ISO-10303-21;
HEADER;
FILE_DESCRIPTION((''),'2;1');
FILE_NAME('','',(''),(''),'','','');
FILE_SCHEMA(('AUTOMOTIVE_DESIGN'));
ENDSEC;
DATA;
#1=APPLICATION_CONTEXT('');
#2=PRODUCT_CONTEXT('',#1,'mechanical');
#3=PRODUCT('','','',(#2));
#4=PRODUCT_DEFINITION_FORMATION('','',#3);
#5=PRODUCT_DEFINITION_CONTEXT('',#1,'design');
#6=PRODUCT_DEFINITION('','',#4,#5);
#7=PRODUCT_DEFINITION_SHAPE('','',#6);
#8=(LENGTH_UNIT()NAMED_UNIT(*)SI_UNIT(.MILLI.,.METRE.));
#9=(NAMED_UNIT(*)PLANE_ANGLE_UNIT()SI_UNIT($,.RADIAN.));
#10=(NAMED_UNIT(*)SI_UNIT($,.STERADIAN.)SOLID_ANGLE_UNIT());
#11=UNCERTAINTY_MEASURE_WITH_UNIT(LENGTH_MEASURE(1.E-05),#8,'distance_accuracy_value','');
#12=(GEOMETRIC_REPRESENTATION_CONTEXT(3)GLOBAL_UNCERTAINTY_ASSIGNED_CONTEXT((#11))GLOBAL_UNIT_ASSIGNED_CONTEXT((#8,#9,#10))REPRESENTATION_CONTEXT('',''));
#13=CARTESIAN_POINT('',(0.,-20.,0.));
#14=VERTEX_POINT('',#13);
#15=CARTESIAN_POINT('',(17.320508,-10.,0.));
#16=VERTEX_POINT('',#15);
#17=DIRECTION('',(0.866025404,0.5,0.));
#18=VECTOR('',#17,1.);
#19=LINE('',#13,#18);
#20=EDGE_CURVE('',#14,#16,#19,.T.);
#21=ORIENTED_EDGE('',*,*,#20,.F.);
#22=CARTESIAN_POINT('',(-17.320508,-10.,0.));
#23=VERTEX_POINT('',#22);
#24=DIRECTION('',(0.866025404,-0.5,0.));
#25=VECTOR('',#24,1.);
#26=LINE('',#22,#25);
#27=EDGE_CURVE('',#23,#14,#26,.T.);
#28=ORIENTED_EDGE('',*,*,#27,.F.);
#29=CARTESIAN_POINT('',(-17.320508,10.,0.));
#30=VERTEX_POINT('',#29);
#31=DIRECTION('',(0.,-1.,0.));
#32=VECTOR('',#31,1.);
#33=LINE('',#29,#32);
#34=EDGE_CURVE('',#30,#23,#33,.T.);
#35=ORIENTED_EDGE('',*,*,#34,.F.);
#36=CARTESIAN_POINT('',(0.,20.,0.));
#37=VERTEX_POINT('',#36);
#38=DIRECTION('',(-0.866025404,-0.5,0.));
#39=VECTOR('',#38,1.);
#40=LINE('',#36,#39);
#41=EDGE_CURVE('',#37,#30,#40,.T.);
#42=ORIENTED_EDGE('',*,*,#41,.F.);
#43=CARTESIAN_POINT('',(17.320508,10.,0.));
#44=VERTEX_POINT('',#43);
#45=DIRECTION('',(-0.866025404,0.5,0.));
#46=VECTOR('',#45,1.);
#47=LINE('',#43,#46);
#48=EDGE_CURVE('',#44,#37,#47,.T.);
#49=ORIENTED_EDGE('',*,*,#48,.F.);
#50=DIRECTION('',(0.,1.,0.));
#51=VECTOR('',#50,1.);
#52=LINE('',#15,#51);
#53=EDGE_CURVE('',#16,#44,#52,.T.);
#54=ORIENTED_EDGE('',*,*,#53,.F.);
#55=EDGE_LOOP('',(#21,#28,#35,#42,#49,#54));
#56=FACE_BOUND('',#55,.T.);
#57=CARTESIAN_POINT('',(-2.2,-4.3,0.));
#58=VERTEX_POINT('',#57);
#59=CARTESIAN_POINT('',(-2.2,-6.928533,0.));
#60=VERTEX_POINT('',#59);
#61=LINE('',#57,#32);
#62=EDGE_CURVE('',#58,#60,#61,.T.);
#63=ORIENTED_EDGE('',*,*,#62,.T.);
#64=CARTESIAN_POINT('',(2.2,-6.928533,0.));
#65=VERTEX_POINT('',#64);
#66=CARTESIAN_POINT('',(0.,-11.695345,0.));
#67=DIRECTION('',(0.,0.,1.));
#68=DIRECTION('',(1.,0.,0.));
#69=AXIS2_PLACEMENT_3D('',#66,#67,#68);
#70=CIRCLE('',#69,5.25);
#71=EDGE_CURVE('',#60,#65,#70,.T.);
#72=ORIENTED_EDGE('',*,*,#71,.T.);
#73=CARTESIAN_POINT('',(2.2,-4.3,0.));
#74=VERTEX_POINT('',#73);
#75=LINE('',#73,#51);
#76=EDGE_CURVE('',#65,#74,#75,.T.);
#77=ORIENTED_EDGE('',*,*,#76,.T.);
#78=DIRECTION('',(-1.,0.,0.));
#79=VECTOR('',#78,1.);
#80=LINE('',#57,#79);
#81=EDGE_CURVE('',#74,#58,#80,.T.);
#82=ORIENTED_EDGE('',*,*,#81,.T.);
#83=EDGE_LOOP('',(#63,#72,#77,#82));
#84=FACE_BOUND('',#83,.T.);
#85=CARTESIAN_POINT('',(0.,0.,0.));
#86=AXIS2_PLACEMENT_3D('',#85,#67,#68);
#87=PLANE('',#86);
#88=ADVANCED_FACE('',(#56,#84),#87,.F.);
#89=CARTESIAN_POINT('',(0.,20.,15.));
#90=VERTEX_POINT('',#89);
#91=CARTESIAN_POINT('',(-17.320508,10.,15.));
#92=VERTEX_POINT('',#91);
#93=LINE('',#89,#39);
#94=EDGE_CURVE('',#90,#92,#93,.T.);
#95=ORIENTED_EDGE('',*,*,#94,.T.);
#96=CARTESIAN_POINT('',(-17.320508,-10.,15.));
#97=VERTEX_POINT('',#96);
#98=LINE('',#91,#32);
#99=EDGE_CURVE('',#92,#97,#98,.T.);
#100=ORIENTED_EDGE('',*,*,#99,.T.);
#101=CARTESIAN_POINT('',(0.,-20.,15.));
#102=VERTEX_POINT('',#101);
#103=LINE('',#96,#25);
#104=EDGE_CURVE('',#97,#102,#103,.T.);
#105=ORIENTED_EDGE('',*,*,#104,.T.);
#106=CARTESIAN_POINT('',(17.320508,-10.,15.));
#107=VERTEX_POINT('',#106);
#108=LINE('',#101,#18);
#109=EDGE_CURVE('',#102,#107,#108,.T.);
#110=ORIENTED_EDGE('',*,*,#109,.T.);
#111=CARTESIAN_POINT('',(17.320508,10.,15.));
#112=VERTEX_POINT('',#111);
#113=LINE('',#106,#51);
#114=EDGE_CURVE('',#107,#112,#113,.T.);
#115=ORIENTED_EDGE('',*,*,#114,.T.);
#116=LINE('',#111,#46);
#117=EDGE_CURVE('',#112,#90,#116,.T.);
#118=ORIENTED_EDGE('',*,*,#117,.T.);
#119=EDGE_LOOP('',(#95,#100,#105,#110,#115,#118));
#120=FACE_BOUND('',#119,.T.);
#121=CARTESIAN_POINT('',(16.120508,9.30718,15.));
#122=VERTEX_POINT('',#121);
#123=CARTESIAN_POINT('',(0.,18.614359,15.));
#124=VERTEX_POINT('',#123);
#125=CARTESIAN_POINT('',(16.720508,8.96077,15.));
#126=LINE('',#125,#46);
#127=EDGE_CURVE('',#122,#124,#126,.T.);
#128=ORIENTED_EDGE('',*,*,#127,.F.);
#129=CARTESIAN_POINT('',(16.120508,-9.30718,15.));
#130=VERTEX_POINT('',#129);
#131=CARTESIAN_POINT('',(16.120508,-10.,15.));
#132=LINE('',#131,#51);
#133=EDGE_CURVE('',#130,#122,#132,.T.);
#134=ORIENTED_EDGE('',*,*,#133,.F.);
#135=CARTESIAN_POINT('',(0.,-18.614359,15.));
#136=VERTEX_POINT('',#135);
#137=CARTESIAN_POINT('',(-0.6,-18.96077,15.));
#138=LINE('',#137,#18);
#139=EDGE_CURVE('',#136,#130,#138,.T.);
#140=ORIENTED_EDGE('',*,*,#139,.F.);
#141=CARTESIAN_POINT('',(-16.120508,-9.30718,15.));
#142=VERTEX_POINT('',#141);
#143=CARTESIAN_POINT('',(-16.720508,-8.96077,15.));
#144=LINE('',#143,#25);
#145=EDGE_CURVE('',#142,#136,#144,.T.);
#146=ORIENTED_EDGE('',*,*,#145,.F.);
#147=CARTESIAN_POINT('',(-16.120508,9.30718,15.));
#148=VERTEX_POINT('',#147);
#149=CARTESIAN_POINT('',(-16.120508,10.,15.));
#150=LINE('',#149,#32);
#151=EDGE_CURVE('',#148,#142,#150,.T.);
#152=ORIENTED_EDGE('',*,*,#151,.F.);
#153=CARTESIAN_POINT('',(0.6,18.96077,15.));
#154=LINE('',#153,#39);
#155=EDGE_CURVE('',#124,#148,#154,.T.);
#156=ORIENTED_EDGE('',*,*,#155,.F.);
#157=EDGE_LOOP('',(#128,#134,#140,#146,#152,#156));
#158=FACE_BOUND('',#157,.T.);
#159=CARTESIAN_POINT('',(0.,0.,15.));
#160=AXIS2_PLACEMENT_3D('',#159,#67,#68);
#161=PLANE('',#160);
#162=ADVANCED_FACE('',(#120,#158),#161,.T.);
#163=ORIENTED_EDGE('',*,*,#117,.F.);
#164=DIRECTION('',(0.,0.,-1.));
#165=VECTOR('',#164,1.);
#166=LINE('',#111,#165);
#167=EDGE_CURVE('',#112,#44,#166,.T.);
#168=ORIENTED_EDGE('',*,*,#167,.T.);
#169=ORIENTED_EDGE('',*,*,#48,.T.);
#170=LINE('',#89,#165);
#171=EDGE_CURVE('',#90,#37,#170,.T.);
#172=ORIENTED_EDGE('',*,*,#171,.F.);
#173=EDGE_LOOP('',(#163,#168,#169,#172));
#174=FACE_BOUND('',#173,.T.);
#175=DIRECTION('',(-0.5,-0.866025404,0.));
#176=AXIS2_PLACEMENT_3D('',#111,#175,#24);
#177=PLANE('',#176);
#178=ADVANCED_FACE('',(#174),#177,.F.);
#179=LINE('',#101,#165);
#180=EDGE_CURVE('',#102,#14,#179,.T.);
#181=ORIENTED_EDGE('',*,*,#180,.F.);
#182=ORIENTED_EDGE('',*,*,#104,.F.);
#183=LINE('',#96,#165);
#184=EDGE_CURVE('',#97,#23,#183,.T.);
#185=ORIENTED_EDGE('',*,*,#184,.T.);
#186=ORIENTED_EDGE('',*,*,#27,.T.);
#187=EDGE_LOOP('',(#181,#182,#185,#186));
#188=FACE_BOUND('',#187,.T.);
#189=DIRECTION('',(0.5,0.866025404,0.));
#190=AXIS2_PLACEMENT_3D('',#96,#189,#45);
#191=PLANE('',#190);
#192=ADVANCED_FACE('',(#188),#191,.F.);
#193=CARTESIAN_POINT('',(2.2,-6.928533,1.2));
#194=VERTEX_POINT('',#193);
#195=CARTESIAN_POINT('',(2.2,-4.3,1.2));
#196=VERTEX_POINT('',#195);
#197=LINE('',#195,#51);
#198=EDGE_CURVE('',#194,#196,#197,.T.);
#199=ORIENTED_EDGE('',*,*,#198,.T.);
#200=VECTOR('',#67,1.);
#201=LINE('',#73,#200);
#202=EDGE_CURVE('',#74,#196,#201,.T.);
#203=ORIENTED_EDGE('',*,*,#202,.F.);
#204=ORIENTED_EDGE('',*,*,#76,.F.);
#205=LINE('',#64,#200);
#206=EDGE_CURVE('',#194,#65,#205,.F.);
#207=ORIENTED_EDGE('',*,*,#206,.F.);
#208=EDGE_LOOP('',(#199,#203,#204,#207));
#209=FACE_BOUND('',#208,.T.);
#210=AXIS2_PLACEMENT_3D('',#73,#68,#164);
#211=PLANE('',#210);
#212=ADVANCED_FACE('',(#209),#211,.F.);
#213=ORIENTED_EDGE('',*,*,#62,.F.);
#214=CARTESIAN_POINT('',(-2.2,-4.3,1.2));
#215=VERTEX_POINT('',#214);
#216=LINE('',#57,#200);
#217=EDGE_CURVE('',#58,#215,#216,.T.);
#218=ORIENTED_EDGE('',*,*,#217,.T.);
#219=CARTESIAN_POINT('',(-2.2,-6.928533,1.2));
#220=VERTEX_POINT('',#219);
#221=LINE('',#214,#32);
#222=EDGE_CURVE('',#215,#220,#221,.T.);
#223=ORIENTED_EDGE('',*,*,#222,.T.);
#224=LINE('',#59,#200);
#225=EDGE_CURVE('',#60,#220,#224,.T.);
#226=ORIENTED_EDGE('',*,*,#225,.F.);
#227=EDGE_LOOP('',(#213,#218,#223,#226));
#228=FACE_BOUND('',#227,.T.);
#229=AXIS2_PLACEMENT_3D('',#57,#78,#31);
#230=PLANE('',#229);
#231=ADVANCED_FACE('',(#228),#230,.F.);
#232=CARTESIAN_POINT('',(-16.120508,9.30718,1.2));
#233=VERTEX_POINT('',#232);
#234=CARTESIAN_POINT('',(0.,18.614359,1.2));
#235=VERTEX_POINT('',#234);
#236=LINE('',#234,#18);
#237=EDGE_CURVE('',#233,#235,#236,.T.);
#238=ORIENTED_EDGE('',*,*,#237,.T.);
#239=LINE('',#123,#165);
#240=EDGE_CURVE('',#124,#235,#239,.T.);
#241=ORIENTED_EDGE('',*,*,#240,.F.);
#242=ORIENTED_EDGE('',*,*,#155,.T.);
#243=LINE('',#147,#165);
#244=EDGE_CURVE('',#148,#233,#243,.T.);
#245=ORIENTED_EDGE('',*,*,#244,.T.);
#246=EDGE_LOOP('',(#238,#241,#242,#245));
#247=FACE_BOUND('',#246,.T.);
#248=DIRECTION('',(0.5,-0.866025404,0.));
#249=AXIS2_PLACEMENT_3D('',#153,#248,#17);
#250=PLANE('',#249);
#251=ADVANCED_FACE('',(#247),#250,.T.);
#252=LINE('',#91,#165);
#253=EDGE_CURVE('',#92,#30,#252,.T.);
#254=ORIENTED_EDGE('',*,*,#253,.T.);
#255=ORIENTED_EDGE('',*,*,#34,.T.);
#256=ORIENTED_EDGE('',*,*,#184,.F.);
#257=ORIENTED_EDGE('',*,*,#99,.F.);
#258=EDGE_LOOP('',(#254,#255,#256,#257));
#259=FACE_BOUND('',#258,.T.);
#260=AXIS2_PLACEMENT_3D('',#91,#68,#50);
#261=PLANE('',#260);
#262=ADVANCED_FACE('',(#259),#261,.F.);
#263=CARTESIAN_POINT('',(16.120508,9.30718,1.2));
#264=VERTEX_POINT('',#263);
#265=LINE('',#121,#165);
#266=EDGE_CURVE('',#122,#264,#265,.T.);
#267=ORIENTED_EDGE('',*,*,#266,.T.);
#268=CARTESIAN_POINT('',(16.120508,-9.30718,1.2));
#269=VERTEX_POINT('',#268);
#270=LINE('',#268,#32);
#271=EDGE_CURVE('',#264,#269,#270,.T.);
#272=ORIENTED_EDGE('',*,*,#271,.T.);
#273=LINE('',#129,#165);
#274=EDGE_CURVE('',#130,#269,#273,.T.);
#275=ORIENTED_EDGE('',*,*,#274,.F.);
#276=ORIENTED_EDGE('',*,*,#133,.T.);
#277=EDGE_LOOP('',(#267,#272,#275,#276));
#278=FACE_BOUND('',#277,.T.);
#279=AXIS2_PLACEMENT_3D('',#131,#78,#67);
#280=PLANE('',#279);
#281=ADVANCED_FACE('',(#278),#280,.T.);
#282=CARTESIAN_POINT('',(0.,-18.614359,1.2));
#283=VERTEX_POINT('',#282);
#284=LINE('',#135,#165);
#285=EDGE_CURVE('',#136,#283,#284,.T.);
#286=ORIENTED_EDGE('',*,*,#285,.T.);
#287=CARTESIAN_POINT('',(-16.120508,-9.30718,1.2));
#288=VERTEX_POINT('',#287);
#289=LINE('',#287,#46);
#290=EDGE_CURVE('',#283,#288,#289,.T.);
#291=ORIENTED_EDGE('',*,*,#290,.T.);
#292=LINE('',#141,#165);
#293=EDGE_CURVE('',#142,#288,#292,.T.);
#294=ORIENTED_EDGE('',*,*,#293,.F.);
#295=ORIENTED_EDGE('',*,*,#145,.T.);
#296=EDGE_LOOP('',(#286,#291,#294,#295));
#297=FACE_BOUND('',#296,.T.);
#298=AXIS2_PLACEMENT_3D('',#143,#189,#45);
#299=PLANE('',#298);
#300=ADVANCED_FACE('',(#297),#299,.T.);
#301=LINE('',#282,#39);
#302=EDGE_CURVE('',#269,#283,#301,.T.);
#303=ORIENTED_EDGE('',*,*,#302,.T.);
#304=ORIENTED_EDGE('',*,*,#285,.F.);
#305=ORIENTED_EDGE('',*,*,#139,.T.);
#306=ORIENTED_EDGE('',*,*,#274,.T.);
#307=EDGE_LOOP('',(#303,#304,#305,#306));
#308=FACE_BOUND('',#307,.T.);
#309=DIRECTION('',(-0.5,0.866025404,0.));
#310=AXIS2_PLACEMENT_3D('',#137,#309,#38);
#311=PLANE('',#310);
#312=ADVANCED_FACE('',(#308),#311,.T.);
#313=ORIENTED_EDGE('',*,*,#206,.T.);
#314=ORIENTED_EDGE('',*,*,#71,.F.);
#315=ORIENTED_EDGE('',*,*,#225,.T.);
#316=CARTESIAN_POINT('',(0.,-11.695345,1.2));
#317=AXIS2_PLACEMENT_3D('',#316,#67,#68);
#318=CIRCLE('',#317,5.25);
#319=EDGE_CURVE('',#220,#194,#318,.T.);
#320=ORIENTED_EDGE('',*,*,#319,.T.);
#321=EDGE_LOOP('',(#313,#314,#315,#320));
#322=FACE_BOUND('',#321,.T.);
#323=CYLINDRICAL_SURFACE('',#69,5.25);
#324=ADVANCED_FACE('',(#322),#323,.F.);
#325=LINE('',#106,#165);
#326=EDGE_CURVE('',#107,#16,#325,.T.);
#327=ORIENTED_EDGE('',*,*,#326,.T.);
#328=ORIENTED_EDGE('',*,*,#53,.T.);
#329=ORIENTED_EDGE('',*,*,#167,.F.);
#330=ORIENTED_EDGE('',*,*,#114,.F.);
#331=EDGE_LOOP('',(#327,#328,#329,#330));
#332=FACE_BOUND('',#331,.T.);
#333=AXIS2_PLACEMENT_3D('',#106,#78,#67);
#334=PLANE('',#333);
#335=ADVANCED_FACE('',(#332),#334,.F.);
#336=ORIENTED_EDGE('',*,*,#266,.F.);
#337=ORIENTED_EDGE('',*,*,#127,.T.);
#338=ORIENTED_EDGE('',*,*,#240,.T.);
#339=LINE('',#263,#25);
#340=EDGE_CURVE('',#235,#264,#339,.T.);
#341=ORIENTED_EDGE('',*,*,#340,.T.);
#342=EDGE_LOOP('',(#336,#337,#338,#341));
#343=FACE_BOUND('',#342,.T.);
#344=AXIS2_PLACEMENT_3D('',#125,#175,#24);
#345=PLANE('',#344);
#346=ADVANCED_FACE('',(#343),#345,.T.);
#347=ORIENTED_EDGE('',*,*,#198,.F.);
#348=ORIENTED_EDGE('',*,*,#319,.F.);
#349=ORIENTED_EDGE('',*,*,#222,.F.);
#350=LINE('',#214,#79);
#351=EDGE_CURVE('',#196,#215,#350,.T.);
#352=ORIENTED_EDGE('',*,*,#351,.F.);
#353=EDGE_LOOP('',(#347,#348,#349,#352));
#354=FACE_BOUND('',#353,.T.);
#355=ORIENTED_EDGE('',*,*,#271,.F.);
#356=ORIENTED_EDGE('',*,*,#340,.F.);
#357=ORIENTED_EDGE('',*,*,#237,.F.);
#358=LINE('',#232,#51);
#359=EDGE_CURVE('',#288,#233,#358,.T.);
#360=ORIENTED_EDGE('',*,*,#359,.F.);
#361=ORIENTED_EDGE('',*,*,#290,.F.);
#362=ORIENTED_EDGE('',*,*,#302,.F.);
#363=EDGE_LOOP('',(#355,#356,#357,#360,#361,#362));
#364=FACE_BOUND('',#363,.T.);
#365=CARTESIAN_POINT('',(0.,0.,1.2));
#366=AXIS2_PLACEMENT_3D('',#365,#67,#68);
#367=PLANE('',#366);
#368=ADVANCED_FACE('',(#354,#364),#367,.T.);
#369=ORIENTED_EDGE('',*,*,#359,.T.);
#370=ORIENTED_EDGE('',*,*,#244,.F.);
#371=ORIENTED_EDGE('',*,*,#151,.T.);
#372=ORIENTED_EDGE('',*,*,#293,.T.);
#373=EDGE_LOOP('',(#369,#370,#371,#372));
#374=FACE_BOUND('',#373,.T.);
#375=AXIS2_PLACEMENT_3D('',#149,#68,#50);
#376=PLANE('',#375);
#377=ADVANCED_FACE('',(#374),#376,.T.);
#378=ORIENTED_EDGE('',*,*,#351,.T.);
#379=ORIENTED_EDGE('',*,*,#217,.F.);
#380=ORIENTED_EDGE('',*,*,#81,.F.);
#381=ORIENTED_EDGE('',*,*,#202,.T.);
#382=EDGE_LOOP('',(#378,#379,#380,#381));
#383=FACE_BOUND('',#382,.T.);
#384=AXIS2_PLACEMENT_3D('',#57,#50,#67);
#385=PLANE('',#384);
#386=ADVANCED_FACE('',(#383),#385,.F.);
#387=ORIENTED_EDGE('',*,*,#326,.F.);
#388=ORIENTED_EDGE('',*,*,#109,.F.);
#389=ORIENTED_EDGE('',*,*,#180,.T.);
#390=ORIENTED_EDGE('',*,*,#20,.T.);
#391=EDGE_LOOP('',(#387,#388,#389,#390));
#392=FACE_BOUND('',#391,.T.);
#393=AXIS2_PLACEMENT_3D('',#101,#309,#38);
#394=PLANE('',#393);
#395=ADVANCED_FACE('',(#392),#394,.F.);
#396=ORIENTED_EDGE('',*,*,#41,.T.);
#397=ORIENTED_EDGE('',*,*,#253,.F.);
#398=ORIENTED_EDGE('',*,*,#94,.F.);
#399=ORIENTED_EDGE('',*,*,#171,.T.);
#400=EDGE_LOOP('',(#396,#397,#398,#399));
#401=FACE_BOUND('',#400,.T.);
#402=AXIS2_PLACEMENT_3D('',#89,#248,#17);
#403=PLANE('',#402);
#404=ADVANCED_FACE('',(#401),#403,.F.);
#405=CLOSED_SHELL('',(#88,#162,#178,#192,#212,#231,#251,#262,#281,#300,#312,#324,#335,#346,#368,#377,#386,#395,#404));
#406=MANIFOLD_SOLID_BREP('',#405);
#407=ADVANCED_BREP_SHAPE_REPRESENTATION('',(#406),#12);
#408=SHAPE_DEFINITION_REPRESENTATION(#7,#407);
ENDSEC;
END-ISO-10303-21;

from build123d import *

# Parameters (mm, degrees)
LINEAR_AUSTRAGEN_D_NN1_DEPTH    = 15
AUFSATZ_LINEAR_AUSTRAGEN1_DEPTH = 1.2
SKIZZE3_R                       = 5.25
SCHNITT_LINEAR_AUSTRAGEN1_DEPTH = 1.2
SKIZZE4_W                       = 4.4
SKIZZE4_H                       = 4.707579954
SCHNITT_LINEAR_AUSTRAGEN2_DEPTH = 1.2


with BuildPart() as part:
    # Skizze1 → Linear-Austragen-Dünn1 (new body)
    with BuildSketch(Plane.XY):
        Polygon((0, -20), (17.320508076, -10), (17.320508076, 10), (0, 20), (-17.320508076, 10), (-17.320508076, -10), align=None)
        Polygon((0, -18.614359354), (16.120508076, -9.307179677), (16.120508076, 9.307179677), (0, 18.614359354), (-16.120508076, 9.307179677), (-16.120508076, -9.307179677), align=None, mode=Mode.SUBTRACT)
    extrude(amount=LINEAR_AUSTRAGEN_D_NN1_DEPTH)

    # Skizze2 → Aufsatz-Linear austragen1 (add)
    with BuildSketch(Plane(origin=(0, 0, 0), x_dir=(-1, 0, 0), z_dir=(0, 0, -1))):
        Polygon((-16.120508076, -9.307179677), (-16.120508076, 9.307179677), (0, 18.614359354), (16.120508076, 9.307179677), (16.120508076, -9.307179677), (0, -18.614359354), align=None)
    extrude(amount=-AUFSATZ_LINEAR_AUSTRAGEN1_DEPTH)

    # Skizze3 → Schnitt-Linear austragen1 (cut)
    with BuildSketch(Plane.XY.offset(1.2)):
        with Locations((0, -11.695345197)):
            Circle(SKIZZE3_R)
    extrude(amount=-SCHNITT_LINEAR_AUSTRAGEN1_DEPTH, mode=Mode.SUBTRACT)

    # Skizze4 → Schnitt-Linear austragen2 (cut)
    with BuildSketch(Plane.XY.offset(1.2)):
        with Locations((0, -6.653789977)):
            Rectangle(SKIZZE4_W, SKIZZE4_H)
    extrude(amount=-SCHNITT_LINEAR_AUSTRAGEN2_DEPTH, mode=Mode.SUBTRACT)


solid = part.part
